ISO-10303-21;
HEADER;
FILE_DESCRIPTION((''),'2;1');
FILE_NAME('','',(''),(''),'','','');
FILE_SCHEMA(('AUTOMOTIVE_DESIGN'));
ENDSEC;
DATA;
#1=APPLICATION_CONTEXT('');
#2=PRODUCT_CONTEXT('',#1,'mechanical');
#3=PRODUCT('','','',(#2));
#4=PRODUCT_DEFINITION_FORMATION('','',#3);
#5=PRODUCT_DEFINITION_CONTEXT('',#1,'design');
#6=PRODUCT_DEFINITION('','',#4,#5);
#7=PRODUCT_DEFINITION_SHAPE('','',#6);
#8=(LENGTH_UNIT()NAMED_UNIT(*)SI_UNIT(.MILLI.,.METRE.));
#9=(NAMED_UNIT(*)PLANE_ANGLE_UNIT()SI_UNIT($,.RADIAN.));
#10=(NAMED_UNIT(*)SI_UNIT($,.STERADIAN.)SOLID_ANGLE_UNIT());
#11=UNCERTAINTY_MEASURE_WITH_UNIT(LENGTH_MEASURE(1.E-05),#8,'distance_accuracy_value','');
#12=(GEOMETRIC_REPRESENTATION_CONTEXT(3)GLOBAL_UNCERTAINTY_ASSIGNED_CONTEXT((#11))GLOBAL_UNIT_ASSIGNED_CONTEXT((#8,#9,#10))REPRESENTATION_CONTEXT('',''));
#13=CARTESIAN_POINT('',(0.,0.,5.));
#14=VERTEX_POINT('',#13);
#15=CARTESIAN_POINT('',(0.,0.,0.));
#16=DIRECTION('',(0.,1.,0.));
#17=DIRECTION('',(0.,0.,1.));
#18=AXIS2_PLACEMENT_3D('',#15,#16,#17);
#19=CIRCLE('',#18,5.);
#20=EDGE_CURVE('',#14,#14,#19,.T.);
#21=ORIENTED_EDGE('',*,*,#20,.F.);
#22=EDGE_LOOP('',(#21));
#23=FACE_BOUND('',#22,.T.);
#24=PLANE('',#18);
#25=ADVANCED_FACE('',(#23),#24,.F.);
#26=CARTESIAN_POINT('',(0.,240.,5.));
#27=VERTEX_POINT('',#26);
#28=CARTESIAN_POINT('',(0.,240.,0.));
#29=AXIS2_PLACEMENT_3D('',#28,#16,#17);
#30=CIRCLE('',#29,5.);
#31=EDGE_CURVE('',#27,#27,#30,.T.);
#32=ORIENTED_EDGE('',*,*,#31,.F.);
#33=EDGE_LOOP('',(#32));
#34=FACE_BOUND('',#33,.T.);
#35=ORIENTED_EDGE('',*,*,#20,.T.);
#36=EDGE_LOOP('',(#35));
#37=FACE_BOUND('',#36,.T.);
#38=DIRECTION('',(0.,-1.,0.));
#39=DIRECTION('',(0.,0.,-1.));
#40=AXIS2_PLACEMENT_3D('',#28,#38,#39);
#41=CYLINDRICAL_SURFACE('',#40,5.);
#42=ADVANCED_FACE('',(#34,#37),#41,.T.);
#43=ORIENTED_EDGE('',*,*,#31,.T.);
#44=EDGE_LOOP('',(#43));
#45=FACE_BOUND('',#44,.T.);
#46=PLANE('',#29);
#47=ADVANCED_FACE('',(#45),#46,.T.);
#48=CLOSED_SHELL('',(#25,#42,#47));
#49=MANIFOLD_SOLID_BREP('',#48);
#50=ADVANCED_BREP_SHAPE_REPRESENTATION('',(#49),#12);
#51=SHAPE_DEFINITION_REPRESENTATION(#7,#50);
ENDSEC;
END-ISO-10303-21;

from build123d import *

# Parameters (mm, degrees)
SKETCH_1_R      = 5
EXTRUDE_1_DEPTH = 240


with BuildPart() as part:
    # Эскиз1 → Вытянуть1 (new body)
    with BuildSketch(Plane(origin=(0, 0, 0), x_dir=(1, 0, 0), z_dir=(0, 1, 0))):
        with Locations(Location((0, 0, 0), (0, 0, 270))):
            Circle(SKETCH_1_R)
    extrude(amount=EXTRUDE_1_DEPTH)


solid = part.part
